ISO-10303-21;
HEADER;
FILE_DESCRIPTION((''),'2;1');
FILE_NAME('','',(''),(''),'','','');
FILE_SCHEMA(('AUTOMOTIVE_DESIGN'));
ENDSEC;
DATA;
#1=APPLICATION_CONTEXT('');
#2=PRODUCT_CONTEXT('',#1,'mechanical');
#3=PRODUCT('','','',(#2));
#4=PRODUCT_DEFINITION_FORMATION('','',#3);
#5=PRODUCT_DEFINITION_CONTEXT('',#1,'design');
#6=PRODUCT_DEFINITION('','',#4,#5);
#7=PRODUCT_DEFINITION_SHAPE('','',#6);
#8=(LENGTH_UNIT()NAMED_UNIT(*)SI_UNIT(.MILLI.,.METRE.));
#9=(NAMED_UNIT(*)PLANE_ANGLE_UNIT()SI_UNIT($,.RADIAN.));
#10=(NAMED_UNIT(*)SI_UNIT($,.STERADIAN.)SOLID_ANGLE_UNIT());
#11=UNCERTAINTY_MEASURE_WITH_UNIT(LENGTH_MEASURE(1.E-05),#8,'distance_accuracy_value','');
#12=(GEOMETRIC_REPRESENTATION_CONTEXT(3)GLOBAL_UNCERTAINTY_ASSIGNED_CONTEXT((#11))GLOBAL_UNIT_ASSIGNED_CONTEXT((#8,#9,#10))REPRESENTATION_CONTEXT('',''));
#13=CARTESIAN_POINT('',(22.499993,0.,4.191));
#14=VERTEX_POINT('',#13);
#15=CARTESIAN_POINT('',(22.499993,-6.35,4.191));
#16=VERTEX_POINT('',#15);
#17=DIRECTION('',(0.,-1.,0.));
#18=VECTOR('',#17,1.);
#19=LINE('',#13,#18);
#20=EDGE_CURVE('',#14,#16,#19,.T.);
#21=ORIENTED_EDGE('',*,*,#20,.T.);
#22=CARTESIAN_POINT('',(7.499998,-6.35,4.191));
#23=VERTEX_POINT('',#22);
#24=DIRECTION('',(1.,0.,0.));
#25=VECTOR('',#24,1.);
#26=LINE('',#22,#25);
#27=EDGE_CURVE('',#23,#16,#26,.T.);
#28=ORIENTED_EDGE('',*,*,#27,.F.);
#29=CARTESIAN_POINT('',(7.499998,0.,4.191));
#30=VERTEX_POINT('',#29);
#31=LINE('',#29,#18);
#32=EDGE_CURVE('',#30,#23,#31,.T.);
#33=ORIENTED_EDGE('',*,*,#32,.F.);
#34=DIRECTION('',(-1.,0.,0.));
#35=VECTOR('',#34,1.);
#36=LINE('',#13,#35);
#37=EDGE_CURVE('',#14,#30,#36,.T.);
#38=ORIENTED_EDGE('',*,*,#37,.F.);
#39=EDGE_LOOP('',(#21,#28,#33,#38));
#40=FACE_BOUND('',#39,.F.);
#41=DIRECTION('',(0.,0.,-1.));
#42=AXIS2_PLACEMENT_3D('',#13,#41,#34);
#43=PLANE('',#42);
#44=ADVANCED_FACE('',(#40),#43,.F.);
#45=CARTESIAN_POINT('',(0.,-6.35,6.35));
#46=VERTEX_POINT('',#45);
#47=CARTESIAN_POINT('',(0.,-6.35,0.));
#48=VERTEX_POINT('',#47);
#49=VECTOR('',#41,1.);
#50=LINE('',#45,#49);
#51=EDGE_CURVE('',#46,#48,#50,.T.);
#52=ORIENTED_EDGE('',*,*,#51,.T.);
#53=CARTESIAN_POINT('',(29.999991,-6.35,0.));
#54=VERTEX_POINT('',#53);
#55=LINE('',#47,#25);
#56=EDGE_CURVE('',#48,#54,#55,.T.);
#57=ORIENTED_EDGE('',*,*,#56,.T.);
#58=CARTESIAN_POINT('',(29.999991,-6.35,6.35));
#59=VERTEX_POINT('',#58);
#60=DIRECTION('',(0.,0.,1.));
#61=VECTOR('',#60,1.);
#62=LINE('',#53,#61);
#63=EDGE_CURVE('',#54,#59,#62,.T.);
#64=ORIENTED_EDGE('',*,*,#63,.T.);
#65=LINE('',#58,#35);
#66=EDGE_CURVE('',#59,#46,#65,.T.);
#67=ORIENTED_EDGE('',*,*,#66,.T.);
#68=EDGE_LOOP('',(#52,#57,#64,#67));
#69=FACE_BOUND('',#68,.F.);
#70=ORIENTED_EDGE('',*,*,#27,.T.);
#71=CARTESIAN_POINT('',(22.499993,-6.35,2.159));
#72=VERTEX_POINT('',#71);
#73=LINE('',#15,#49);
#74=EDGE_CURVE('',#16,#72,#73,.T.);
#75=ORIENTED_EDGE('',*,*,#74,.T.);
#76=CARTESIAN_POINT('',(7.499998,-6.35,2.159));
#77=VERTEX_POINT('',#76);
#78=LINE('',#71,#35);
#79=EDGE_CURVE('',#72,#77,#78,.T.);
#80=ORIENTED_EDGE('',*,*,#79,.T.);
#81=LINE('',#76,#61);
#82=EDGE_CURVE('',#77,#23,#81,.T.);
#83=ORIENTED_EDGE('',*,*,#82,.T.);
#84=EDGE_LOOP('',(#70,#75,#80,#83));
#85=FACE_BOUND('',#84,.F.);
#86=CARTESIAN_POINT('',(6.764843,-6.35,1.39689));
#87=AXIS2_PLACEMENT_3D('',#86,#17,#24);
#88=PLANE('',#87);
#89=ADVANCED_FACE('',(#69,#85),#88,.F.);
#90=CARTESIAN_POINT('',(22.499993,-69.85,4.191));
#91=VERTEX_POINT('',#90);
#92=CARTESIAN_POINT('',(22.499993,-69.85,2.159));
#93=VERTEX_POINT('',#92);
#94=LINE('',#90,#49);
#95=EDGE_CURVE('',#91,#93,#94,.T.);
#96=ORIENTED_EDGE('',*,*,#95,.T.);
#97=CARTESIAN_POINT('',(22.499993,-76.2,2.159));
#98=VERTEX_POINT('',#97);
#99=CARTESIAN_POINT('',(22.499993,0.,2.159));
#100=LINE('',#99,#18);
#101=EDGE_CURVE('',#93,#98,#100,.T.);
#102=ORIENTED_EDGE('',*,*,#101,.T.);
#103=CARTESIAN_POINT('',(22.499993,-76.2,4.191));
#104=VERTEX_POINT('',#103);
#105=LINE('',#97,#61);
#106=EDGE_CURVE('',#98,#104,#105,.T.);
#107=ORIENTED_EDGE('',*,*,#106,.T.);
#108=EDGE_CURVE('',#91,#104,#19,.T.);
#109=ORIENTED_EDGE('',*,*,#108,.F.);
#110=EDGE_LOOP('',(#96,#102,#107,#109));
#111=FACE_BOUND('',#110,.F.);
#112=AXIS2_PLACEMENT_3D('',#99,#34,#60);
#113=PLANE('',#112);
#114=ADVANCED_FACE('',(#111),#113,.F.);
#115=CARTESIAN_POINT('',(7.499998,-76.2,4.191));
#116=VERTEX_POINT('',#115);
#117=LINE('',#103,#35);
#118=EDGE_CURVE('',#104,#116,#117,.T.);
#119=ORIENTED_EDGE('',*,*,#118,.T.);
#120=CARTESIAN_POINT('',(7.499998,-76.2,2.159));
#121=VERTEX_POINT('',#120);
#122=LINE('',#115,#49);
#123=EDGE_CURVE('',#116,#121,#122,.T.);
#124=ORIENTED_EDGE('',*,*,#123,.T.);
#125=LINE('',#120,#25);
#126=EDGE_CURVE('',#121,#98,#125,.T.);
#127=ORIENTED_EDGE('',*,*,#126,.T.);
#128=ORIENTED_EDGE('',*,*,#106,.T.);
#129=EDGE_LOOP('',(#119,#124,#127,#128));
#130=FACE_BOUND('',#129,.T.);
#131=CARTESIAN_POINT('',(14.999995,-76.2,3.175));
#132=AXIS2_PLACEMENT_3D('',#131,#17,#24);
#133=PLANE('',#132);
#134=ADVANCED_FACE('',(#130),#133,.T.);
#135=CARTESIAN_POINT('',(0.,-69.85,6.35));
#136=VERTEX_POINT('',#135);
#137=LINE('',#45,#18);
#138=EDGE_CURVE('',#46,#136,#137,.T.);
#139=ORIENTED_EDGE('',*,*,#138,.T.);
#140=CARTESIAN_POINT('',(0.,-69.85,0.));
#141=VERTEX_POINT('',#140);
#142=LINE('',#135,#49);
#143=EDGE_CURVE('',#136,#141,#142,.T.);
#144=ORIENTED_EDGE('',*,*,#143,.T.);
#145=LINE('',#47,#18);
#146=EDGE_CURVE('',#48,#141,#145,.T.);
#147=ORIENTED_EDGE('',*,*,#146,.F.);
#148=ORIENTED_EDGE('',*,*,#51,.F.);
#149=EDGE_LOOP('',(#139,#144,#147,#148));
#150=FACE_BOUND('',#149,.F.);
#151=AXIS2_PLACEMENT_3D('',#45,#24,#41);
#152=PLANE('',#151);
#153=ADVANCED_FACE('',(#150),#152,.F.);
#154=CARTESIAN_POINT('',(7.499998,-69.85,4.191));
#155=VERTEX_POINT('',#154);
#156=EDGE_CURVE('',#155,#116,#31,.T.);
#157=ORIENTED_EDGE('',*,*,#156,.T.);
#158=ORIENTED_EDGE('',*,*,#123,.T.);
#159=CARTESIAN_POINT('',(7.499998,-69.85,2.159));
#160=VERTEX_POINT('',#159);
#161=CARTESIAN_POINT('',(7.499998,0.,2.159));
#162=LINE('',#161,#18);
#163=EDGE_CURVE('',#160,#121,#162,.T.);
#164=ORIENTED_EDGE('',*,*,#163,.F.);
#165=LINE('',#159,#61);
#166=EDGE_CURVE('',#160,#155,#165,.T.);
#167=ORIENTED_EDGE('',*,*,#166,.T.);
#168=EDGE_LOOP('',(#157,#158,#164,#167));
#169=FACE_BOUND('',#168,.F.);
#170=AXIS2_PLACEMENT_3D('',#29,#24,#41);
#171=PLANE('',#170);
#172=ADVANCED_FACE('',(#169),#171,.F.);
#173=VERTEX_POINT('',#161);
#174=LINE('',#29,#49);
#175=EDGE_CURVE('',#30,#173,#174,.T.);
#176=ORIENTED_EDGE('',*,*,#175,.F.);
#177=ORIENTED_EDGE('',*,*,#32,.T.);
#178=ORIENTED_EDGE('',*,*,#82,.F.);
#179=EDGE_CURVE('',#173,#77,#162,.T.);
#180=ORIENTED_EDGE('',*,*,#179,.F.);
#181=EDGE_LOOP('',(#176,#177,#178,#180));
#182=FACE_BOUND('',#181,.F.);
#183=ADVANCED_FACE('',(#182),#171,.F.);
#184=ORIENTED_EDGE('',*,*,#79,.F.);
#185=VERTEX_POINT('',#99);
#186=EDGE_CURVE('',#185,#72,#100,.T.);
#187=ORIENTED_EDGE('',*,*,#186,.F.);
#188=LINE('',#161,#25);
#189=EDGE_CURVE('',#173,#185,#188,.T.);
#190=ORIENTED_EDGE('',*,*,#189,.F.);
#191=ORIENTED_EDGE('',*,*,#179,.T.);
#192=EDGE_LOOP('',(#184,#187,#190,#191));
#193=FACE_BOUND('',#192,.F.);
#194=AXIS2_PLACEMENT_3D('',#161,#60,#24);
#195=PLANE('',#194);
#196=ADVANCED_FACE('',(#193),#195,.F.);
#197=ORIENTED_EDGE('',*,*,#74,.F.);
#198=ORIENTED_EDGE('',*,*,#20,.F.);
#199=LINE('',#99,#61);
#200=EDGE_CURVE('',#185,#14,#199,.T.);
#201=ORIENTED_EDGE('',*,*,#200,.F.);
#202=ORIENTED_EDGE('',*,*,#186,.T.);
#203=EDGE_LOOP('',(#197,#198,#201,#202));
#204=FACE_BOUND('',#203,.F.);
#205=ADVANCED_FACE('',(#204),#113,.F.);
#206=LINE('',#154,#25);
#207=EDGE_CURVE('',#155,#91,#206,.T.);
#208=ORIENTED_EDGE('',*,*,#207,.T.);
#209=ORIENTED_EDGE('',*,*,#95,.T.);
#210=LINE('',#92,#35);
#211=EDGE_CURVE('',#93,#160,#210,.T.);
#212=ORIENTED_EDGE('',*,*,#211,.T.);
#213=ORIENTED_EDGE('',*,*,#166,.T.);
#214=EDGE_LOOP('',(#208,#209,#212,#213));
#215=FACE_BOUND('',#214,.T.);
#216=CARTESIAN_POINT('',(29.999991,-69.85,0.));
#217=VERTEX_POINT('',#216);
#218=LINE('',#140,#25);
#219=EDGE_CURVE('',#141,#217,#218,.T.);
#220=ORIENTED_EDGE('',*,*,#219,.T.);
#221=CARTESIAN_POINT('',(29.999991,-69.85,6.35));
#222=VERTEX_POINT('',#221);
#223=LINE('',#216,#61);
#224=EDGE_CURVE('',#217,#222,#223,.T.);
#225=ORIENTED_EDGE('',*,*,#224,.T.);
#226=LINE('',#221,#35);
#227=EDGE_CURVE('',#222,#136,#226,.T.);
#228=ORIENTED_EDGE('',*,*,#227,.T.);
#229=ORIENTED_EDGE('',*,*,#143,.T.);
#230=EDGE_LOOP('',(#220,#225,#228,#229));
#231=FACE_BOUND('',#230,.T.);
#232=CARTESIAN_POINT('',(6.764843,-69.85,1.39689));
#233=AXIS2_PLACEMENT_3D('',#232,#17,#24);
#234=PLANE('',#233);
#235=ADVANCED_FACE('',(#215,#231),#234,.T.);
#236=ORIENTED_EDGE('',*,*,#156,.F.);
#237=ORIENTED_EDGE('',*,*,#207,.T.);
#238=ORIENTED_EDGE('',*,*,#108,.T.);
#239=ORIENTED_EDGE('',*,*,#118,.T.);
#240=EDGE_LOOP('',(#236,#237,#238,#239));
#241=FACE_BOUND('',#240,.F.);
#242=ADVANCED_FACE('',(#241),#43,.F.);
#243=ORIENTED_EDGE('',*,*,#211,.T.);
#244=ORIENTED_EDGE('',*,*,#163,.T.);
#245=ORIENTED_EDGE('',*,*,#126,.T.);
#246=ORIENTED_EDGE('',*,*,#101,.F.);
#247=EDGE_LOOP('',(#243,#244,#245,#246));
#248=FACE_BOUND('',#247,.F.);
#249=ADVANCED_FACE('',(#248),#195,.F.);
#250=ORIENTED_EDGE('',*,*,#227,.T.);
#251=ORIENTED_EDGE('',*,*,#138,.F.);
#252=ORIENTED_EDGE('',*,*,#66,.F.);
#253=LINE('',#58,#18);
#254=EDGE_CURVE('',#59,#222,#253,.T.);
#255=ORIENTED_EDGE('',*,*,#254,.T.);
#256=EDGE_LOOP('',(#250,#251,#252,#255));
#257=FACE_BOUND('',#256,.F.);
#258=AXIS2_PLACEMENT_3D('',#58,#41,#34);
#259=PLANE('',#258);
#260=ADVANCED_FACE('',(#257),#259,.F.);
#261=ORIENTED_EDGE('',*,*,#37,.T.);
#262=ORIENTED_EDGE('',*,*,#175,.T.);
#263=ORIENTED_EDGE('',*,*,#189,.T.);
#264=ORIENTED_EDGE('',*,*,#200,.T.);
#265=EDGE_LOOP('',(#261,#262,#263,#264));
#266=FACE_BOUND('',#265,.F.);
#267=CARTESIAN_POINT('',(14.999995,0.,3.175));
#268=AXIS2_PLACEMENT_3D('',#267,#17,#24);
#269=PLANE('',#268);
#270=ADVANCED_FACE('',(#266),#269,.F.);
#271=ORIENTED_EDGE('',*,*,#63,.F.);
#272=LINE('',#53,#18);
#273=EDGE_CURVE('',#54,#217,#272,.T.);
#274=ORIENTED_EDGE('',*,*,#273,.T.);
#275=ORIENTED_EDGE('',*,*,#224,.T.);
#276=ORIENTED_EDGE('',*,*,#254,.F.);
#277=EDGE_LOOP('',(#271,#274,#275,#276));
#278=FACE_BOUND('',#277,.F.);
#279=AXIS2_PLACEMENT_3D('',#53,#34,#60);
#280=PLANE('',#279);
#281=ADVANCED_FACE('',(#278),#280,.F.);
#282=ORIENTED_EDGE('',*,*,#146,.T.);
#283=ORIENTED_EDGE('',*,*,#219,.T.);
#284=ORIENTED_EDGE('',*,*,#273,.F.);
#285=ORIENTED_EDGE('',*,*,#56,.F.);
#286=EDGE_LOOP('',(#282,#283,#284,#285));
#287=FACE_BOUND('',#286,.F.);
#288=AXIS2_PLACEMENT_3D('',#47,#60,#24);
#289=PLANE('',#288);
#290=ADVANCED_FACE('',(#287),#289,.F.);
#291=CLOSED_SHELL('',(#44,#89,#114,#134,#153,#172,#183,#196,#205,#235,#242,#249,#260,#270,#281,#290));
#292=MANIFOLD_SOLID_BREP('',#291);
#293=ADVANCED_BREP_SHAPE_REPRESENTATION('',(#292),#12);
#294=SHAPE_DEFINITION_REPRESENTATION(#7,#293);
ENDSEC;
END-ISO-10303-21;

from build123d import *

# Parameters (mm, degrees)
F1_START = 6.35
F1_DEPTH = 63.5
F2_DEPTH = 76.2


with BuildPart() as f1:
    # F0 (on Front) → F1 (new body)
    with BuildSketch(Plane.XZ.offset(F1_START)):
        Polygon((0, 3.175), (0, 0), (13.9109061479, 0), (13.9109061479, 2.159), (7.4999977, 2.159), (7.4999977, 3.175), align=None)
        Polygon((13.9109061479, 2.159), (13.9109061479, 0), (29.9999908, 0), (29.9999908, 3.175), (22.4999931, 3.175), (22.4999931, 2.159), align=None)
        Polygon((22.4999931, 3.175), (29.9999908, 3.175), (29.9999908, 6.35), (13.805958201, 6.35), (13.805958201, 4.191), (22.4999931, 4.191), align=None)
        Polygon((0, 6.35), (0, 3.175), (7.4999977, 3.175), (7.4999977, 4.191), (13.805958201, 4.191), (13.805958201, 6.35), align=None)
    extrude(amount=F1_DEPTH)

    # F0 (on Front) → F2 (join)
    with BuildSketch(Plane.XZ):
        Polygon((7.4999977, 2.159), (13.9109061479, 2.159), (22.4999931, 2.159), (22.4999931, 3.175), (22.4999931, 4.191), (13.805958201, 4.191), (7.4999977, 4.191), (7.4999977, 3.175), align=None)
    extrude(amount=F2_DEPTH)


solid = f1.part
